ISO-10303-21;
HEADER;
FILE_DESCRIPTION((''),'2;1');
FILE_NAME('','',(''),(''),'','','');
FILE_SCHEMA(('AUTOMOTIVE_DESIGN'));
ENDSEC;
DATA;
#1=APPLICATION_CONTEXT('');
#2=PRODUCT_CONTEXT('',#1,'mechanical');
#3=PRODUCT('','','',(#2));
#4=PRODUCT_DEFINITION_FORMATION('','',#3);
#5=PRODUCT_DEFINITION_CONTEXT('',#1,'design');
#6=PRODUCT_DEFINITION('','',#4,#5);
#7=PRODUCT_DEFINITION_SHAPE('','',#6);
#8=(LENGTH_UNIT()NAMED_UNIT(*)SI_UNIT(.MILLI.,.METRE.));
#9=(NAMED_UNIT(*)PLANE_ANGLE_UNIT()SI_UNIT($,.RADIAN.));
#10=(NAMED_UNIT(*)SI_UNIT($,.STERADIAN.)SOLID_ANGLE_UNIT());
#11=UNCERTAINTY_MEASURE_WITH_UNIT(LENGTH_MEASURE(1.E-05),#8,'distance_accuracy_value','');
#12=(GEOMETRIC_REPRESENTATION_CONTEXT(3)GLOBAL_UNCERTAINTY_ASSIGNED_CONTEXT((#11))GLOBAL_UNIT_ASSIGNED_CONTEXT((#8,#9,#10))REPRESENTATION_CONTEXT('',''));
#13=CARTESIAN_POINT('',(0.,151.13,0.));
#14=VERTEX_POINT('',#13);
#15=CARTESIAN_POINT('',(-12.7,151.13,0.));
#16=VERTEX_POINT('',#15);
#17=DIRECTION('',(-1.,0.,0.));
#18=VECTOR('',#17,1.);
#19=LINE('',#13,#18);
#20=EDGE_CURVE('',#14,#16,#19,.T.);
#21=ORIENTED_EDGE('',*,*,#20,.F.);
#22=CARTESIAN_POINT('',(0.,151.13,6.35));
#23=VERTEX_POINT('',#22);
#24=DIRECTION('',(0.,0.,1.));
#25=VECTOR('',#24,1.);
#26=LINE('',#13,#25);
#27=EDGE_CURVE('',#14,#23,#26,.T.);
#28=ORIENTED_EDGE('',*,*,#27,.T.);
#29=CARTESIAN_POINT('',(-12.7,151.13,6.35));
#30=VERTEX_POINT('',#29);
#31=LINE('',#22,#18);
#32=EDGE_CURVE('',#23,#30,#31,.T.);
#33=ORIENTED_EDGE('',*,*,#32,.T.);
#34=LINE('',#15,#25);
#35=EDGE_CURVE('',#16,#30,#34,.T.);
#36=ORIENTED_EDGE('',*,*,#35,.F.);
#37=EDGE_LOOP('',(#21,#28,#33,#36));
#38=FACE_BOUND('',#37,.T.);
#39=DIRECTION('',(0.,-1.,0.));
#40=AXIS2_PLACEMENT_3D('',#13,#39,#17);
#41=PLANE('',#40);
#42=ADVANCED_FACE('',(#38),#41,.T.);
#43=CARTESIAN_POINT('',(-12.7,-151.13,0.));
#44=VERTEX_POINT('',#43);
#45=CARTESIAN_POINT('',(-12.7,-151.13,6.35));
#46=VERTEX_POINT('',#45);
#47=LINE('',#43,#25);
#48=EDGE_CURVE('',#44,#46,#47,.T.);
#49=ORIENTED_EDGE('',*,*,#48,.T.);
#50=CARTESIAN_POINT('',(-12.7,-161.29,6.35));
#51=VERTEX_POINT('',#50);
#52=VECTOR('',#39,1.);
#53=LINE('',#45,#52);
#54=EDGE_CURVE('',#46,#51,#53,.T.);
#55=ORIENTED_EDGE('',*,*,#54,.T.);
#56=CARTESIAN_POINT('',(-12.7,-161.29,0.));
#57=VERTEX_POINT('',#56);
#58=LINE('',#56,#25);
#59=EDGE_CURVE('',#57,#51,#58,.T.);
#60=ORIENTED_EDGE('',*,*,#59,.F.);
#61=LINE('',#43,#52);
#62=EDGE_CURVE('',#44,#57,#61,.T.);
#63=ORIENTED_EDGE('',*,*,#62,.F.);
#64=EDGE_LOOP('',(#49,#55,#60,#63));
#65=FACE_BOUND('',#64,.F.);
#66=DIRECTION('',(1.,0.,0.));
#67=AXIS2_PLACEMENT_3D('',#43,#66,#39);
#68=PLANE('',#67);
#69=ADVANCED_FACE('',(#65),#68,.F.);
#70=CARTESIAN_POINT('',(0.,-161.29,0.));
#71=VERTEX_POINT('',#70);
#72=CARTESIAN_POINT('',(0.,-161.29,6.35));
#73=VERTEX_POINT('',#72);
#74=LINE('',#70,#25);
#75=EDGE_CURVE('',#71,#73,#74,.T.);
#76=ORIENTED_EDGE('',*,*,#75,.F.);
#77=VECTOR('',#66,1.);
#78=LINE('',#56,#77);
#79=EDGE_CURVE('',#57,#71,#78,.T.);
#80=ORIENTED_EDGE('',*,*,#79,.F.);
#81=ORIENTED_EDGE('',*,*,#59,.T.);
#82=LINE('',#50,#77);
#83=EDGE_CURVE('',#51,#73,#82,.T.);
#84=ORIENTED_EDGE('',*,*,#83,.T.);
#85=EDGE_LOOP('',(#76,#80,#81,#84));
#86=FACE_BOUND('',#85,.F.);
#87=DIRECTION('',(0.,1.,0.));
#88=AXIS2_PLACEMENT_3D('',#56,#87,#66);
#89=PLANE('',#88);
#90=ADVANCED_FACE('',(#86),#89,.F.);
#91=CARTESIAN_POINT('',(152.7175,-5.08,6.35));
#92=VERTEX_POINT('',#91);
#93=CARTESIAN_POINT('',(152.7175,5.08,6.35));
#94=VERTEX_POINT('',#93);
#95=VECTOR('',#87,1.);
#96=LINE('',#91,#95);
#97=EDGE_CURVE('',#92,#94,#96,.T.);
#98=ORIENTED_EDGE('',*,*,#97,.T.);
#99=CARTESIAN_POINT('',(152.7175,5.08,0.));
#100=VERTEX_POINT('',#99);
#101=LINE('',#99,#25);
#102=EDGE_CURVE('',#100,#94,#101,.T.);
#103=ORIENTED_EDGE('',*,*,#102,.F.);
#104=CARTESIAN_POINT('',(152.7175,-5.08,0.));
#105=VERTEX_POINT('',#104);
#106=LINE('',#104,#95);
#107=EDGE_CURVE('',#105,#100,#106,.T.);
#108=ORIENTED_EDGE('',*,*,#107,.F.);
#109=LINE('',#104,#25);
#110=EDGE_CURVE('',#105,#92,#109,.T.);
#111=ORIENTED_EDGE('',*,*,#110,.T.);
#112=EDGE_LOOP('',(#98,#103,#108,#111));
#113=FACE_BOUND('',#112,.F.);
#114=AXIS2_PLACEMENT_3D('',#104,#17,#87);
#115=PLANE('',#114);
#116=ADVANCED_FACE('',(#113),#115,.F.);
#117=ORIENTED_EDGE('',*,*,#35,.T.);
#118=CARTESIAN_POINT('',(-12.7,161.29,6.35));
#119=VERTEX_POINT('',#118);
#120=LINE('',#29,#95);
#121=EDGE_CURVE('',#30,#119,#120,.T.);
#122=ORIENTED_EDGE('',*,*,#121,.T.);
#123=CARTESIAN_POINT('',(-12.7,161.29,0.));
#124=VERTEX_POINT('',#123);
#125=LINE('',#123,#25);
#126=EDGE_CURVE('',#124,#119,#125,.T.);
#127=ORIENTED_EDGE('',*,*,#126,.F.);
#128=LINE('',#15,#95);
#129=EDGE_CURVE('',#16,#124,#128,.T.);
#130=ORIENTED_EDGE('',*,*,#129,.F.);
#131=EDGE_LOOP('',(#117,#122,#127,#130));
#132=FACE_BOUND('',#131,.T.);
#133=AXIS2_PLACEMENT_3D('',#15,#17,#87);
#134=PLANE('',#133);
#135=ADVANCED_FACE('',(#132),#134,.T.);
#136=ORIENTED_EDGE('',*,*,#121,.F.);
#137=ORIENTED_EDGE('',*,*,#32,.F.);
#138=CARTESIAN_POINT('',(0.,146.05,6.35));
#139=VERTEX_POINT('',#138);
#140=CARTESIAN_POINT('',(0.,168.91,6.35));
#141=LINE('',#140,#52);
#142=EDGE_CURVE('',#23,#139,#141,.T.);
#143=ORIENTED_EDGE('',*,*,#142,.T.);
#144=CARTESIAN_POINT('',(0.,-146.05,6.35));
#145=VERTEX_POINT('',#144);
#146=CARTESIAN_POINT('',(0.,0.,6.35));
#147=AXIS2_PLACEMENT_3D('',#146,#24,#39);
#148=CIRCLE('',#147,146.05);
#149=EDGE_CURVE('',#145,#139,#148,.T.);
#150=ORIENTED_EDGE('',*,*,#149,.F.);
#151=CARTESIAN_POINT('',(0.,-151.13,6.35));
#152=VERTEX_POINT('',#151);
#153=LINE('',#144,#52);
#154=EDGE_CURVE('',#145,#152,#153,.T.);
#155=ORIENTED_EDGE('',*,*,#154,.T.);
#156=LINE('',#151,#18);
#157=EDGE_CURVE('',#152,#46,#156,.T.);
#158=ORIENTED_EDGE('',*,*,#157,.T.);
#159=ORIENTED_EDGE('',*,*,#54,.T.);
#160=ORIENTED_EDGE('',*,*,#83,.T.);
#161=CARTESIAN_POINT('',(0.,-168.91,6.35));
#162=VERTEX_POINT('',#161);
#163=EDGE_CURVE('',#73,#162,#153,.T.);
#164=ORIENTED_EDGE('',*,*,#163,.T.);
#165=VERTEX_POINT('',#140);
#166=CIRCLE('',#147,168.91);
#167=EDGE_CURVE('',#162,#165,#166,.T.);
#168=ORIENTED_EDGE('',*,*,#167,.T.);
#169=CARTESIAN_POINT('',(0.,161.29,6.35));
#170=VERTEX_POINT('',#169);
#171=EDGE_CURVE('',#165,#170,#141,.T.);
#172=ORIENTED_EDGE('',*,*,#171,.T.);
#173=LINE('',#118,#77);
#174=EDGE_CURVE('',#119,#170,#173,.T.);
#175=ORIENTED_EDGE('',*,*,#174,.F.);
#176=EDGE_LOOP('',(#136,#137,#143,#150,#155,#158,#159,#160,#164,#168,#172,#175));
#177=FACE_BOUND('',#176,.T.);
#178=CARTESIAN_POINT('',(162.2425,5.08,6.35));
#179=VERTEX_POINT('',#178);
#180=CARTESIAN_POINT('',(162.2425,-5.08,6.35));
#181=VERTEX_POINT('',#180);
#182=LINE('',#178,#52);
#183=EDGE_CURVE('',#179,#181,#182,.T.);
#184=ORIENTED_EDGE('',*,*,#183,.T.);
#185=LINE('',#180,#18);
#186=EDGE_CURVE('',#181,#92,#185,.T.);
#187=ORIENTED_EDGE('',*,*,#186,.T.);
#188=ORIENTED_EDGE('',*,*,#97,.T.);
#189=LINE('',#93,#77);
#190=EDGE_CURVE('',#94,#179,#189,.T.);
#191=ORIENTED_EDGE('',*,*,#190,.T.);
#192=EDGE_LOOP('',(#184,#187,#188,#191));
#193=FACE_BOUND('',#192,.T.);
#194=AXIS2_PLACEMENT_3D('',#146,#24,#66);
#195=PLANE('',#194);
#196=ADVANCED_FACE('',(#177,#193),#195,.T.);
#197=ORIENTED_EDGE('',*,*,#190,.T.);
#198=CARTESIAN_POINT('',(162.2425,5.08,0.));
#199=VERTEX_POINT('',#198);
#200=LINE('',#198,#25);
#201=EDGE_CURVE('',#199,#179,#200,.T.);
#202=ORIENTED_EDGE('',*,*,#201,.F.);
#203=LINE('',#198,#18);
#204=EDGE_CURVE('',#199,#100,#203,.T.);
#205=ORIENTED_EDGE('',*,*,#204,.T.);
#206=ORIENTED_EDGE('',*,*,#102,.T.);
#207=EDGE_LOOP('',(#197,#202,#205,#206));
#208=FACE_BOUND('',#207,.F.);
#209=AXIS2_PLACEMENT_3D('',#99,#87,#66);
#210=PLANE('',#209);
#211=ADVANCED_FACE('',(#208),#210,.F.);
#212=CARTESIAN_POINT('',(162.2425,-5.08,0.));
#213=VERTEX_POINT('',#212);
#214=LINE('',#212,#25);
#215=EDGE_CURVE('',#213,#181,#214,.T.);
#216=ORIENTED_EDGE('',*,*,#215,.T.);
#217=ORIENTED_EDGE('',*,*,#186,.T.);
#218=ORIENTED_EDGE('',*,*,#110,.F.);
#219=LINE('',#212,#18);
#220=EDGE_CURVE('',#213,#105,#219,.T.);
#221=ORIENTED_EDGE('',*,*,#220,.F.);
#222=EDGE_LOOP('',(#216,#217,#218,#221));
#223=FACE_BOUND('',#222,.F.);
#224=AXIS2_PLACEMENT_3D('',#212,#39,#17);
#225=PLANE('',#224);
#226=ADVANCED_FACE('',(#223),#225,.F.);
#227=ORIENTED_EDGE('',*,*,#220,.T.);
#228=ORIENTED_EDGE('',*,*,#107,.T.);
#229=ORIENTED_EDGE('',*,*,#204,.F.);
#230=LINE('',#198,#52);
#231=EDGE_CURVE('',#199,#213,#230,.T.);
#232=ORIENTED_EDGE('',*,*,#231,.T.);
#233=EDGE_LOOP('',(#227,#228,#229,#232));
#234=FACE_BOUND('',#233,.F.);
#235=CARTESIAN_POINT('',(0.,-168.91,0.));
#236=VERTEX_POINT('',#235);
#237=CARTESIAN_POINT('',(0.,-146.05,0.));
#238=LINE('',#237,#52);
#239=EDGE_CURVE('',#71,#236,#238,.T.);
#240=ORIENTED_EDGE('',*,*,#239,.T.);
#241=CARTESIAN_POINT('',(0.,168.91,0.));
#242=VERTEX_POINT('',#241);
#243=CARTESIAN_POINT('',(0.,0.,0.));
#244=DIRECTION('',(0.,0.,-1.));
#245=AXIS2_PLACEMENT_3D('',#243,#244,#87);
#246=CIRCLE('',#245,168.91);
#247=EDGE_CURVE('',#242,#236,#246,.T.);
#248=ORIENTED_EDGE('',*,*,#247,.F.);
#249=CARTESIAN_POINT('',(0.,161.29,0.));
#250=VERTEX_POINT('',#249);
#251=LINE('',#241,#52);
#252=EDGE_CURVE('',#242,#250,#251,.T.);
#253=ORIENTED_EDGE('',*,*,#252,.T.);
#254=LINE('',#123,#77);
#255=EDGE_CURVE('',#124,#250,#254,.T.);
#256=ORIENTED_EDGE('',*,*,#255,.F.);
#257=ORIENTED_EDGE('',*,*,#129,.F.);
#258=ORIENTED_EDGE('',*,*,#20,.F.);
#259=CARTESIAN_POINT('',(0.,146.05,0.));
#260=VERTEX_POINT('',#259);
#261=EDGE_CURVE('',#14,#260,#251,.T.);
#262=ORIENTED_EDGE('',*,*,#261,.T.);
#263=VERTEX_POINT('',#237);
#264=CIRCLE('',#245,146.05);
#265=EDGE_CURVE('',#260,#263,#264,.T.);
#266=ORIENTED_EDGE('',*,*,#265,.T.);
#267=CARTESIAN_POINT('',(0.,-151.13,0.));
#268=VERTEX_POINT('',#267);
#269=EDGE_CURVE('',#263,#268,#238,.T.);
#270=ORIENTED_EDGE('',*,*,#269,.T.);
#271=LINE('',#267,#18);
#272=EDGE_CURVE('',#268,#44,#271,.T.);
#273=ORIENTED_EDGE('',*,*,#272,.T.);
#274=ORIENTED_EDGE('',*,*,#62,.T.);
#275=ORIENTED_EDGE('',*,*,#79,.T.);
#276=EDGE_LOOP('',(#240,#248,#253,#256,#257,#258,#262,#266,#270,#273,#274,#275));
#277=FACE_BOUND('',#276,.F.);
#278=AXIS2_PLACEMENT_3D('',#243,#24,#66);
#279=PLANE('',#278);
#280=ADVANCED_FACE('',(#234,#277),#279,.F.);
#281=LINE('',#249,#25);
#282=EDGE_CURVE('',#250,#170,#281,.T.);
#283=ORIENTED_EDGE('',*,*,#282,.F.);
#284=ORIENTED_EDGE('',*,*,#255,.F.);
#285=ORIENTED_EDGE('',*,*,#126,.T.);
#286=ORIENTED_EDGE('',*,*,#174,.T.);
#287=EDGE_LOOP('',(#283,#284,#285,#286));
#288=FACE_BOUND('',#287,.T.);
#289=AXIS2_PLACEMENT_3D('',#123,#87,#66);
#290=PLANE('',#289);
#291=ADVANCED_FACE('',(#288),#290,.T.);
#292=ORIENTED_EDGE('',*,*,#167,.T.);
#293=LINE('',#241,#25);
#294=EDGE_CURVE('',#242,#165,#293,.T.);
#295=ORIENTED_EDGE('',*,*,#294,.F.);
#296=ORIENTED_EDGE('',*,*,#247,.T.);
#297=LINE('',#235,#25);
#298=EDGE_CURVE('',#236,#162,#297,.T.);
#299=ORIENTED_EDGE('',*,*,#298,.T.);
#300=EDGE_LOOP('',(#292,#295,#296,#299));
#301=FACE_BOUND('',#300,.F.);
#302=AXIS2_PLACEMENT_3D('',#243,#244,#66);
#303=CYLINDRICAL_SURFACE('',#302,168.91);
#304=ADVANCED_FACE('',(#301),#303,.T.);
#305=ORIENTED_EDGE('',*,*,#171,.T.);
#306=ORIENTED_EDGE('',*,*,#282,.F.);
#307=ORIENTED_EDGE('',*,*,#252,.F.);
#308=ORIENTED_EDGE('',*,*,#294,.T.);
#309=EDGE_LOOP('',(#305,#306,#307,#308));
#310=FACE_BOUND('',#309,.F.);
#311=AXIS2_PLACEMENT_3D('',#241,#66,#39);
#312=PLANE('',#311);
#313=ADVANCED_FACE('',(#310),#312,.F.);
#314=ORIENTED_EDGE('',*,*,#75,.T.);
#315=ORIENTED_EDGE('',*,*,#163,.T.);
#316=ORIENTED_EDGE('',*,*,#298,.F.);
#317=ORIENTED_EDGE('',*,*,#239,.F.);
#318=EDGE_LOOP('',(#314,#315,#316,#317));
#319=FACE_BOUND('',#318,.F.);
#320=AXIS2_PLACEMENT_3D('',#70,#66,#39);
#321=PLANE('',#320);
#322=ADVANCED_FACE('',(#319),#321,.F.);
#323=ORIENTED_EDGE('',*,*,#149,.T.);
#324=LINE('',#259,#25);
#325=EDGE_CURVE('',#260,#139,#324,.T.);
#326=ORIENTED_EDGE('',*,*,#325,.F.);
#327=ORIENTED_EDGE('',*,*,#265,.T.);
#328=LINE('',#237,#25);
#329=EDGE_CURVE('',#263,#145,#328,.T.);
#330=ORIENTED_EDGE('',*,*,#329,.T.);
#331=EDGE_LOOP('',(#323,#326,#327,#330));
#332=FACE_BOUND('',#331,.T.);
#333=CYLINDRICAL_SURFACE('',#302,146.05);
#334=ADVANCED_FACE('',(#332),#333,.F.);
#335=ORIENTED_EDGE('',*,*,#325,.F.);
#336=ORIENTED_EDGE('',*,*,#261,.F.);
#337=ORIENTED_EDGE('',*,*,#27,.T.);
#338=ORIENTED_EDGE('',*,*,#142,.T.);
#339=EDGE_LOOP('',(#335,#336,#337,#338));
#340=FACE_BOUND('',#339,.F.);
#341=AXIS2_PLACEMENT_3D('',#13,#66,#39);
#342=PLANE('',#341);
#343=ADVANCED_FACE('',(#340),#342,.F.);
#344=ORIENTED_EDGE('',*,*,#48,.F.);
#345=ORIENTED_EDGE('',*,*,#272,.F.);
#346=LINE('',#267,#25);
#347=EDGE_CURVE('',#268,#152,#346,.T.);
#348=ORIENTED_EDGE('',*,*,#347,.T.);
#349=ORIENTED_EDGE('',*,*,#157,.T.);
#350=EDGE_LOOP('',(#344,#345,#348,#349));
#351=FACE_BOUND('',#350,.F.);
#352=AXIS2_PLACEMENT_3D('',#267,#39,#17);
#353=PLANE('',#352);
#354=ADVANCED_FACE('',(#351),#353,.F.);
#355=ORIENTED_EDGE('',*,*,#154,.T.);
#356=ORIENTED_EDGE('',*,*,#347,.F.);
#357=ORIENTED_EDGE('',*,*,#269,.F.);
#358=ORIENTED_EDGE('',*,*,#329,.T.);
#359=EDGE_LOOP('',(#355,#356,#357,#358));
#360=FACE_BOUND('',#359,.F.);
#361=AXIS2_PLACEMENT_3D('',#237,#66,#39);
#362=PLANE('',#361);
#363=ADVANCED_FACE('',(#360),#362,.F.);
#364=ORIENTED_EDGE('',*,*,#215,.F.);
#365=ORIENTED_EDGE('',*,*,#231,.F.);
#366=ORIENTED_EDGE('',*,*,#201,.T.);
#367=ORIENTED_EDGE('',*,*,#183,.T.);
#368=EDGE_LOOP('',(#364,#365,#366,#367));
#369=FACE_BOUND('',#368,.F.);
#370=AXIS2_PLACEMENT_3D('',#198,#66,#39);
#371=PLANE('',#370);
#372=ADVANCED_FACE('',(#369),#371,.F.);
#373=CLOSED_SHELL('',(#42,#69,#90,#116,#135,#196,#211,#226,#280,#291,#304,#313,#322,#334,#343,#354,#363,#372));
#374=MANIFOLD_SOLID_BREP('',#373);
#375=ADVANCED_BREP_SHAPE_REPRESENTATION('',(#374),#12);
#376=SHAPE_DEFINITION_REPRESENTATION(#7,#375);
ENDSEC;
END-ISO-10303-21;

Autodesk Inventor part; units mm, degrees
ref_plane "YZ Plane" through (0, 0, 0) normal (1, 0, 0) x (0, 1, 0)
ref_plane "XZ Plane" through (0, 0, 0) normal (0, 1, 0) x (-1, 0, 0)
ref_plane "XY Plane" through (0, 0, 0) normal (0, 0, 1) x (1, 0, 0)
sketch "Sketch1" plane through (0, 0, 0) normal (0, 0, 1) x (1, 0, 0)
  circle A0 centre (0, 0) radius 146.05
  circle A1 centre (0, 0) radius 168.91
  line L0 (0, -146.05) -> (0, -168.91)
  line L1 (0, 168.91) -> (0, 146.05)
  line L2 (0, 168.91) -> (0, -168.91) construction
  circle A2 centre (-157.48, 0) radius 3.175
  line L3 (0, 146.05) -> (0, 151.13)
  line L4 (0, 151.13) -> (-12.7, 151.13)
  line L5 (-12.7, 151.13) -> (-12.7, 161.29)
  line L6 (-12.7, 161.29) -> (0, 161.29)
  line L7 (0, 161.29) -> (0, 151.13)
  line L8 (0, -146.05) -> (0, -151.13)
  line L9 (0, -151.13) -> (-12.7, -151.13)
  line L10 (-12.7, -151.13) -> (-12.7, -161.29)
  line L11 (-12.7, -161.29) -> (0, -161.29)
  line L12 (0, -151.13) -> (0, -161.29)
  line L13 (157.48, 0) -> (157.48, 5.08)
  line L14 (157.48, 5.08) -> (162.2425, 5.08)
  line L15 (162.2425, 5.08) -> (162.2425, -5.08)
  line L16 (162.2425, -5.08) -> (152.7175, -5.08)
  line L17 (152.7175, -5.08) -> (152.7175, 5.08)
  line L18 (152.7175, 5.08) -> (157.48, 5.08)
  dimension "d51" = 292.1
  dimension "d52" = 337.82
  dimension "d55" = 5.08
  dimension "d56" = 12.7
  dimension "d57" = 10.16
  dimension "d58" = 5.08
  dimension "d59" = 12.7
  dimension "d60" = 10.16
  dimension "d63" = 5.08
  dimension "d64" = 4.7625
  dimension "d65" = 10.16
  dimension "d66" = 9.525
  dimension "d67" = 157.48
extrude "Extrusion12" add sketch "Sketch1" along normal blind 6.35 contours A0 L1 A1 L0 | L4 L5 L6 L1 | L0 L11 L10 L9
properties part number "TopfemaleHoopSection_v1"
